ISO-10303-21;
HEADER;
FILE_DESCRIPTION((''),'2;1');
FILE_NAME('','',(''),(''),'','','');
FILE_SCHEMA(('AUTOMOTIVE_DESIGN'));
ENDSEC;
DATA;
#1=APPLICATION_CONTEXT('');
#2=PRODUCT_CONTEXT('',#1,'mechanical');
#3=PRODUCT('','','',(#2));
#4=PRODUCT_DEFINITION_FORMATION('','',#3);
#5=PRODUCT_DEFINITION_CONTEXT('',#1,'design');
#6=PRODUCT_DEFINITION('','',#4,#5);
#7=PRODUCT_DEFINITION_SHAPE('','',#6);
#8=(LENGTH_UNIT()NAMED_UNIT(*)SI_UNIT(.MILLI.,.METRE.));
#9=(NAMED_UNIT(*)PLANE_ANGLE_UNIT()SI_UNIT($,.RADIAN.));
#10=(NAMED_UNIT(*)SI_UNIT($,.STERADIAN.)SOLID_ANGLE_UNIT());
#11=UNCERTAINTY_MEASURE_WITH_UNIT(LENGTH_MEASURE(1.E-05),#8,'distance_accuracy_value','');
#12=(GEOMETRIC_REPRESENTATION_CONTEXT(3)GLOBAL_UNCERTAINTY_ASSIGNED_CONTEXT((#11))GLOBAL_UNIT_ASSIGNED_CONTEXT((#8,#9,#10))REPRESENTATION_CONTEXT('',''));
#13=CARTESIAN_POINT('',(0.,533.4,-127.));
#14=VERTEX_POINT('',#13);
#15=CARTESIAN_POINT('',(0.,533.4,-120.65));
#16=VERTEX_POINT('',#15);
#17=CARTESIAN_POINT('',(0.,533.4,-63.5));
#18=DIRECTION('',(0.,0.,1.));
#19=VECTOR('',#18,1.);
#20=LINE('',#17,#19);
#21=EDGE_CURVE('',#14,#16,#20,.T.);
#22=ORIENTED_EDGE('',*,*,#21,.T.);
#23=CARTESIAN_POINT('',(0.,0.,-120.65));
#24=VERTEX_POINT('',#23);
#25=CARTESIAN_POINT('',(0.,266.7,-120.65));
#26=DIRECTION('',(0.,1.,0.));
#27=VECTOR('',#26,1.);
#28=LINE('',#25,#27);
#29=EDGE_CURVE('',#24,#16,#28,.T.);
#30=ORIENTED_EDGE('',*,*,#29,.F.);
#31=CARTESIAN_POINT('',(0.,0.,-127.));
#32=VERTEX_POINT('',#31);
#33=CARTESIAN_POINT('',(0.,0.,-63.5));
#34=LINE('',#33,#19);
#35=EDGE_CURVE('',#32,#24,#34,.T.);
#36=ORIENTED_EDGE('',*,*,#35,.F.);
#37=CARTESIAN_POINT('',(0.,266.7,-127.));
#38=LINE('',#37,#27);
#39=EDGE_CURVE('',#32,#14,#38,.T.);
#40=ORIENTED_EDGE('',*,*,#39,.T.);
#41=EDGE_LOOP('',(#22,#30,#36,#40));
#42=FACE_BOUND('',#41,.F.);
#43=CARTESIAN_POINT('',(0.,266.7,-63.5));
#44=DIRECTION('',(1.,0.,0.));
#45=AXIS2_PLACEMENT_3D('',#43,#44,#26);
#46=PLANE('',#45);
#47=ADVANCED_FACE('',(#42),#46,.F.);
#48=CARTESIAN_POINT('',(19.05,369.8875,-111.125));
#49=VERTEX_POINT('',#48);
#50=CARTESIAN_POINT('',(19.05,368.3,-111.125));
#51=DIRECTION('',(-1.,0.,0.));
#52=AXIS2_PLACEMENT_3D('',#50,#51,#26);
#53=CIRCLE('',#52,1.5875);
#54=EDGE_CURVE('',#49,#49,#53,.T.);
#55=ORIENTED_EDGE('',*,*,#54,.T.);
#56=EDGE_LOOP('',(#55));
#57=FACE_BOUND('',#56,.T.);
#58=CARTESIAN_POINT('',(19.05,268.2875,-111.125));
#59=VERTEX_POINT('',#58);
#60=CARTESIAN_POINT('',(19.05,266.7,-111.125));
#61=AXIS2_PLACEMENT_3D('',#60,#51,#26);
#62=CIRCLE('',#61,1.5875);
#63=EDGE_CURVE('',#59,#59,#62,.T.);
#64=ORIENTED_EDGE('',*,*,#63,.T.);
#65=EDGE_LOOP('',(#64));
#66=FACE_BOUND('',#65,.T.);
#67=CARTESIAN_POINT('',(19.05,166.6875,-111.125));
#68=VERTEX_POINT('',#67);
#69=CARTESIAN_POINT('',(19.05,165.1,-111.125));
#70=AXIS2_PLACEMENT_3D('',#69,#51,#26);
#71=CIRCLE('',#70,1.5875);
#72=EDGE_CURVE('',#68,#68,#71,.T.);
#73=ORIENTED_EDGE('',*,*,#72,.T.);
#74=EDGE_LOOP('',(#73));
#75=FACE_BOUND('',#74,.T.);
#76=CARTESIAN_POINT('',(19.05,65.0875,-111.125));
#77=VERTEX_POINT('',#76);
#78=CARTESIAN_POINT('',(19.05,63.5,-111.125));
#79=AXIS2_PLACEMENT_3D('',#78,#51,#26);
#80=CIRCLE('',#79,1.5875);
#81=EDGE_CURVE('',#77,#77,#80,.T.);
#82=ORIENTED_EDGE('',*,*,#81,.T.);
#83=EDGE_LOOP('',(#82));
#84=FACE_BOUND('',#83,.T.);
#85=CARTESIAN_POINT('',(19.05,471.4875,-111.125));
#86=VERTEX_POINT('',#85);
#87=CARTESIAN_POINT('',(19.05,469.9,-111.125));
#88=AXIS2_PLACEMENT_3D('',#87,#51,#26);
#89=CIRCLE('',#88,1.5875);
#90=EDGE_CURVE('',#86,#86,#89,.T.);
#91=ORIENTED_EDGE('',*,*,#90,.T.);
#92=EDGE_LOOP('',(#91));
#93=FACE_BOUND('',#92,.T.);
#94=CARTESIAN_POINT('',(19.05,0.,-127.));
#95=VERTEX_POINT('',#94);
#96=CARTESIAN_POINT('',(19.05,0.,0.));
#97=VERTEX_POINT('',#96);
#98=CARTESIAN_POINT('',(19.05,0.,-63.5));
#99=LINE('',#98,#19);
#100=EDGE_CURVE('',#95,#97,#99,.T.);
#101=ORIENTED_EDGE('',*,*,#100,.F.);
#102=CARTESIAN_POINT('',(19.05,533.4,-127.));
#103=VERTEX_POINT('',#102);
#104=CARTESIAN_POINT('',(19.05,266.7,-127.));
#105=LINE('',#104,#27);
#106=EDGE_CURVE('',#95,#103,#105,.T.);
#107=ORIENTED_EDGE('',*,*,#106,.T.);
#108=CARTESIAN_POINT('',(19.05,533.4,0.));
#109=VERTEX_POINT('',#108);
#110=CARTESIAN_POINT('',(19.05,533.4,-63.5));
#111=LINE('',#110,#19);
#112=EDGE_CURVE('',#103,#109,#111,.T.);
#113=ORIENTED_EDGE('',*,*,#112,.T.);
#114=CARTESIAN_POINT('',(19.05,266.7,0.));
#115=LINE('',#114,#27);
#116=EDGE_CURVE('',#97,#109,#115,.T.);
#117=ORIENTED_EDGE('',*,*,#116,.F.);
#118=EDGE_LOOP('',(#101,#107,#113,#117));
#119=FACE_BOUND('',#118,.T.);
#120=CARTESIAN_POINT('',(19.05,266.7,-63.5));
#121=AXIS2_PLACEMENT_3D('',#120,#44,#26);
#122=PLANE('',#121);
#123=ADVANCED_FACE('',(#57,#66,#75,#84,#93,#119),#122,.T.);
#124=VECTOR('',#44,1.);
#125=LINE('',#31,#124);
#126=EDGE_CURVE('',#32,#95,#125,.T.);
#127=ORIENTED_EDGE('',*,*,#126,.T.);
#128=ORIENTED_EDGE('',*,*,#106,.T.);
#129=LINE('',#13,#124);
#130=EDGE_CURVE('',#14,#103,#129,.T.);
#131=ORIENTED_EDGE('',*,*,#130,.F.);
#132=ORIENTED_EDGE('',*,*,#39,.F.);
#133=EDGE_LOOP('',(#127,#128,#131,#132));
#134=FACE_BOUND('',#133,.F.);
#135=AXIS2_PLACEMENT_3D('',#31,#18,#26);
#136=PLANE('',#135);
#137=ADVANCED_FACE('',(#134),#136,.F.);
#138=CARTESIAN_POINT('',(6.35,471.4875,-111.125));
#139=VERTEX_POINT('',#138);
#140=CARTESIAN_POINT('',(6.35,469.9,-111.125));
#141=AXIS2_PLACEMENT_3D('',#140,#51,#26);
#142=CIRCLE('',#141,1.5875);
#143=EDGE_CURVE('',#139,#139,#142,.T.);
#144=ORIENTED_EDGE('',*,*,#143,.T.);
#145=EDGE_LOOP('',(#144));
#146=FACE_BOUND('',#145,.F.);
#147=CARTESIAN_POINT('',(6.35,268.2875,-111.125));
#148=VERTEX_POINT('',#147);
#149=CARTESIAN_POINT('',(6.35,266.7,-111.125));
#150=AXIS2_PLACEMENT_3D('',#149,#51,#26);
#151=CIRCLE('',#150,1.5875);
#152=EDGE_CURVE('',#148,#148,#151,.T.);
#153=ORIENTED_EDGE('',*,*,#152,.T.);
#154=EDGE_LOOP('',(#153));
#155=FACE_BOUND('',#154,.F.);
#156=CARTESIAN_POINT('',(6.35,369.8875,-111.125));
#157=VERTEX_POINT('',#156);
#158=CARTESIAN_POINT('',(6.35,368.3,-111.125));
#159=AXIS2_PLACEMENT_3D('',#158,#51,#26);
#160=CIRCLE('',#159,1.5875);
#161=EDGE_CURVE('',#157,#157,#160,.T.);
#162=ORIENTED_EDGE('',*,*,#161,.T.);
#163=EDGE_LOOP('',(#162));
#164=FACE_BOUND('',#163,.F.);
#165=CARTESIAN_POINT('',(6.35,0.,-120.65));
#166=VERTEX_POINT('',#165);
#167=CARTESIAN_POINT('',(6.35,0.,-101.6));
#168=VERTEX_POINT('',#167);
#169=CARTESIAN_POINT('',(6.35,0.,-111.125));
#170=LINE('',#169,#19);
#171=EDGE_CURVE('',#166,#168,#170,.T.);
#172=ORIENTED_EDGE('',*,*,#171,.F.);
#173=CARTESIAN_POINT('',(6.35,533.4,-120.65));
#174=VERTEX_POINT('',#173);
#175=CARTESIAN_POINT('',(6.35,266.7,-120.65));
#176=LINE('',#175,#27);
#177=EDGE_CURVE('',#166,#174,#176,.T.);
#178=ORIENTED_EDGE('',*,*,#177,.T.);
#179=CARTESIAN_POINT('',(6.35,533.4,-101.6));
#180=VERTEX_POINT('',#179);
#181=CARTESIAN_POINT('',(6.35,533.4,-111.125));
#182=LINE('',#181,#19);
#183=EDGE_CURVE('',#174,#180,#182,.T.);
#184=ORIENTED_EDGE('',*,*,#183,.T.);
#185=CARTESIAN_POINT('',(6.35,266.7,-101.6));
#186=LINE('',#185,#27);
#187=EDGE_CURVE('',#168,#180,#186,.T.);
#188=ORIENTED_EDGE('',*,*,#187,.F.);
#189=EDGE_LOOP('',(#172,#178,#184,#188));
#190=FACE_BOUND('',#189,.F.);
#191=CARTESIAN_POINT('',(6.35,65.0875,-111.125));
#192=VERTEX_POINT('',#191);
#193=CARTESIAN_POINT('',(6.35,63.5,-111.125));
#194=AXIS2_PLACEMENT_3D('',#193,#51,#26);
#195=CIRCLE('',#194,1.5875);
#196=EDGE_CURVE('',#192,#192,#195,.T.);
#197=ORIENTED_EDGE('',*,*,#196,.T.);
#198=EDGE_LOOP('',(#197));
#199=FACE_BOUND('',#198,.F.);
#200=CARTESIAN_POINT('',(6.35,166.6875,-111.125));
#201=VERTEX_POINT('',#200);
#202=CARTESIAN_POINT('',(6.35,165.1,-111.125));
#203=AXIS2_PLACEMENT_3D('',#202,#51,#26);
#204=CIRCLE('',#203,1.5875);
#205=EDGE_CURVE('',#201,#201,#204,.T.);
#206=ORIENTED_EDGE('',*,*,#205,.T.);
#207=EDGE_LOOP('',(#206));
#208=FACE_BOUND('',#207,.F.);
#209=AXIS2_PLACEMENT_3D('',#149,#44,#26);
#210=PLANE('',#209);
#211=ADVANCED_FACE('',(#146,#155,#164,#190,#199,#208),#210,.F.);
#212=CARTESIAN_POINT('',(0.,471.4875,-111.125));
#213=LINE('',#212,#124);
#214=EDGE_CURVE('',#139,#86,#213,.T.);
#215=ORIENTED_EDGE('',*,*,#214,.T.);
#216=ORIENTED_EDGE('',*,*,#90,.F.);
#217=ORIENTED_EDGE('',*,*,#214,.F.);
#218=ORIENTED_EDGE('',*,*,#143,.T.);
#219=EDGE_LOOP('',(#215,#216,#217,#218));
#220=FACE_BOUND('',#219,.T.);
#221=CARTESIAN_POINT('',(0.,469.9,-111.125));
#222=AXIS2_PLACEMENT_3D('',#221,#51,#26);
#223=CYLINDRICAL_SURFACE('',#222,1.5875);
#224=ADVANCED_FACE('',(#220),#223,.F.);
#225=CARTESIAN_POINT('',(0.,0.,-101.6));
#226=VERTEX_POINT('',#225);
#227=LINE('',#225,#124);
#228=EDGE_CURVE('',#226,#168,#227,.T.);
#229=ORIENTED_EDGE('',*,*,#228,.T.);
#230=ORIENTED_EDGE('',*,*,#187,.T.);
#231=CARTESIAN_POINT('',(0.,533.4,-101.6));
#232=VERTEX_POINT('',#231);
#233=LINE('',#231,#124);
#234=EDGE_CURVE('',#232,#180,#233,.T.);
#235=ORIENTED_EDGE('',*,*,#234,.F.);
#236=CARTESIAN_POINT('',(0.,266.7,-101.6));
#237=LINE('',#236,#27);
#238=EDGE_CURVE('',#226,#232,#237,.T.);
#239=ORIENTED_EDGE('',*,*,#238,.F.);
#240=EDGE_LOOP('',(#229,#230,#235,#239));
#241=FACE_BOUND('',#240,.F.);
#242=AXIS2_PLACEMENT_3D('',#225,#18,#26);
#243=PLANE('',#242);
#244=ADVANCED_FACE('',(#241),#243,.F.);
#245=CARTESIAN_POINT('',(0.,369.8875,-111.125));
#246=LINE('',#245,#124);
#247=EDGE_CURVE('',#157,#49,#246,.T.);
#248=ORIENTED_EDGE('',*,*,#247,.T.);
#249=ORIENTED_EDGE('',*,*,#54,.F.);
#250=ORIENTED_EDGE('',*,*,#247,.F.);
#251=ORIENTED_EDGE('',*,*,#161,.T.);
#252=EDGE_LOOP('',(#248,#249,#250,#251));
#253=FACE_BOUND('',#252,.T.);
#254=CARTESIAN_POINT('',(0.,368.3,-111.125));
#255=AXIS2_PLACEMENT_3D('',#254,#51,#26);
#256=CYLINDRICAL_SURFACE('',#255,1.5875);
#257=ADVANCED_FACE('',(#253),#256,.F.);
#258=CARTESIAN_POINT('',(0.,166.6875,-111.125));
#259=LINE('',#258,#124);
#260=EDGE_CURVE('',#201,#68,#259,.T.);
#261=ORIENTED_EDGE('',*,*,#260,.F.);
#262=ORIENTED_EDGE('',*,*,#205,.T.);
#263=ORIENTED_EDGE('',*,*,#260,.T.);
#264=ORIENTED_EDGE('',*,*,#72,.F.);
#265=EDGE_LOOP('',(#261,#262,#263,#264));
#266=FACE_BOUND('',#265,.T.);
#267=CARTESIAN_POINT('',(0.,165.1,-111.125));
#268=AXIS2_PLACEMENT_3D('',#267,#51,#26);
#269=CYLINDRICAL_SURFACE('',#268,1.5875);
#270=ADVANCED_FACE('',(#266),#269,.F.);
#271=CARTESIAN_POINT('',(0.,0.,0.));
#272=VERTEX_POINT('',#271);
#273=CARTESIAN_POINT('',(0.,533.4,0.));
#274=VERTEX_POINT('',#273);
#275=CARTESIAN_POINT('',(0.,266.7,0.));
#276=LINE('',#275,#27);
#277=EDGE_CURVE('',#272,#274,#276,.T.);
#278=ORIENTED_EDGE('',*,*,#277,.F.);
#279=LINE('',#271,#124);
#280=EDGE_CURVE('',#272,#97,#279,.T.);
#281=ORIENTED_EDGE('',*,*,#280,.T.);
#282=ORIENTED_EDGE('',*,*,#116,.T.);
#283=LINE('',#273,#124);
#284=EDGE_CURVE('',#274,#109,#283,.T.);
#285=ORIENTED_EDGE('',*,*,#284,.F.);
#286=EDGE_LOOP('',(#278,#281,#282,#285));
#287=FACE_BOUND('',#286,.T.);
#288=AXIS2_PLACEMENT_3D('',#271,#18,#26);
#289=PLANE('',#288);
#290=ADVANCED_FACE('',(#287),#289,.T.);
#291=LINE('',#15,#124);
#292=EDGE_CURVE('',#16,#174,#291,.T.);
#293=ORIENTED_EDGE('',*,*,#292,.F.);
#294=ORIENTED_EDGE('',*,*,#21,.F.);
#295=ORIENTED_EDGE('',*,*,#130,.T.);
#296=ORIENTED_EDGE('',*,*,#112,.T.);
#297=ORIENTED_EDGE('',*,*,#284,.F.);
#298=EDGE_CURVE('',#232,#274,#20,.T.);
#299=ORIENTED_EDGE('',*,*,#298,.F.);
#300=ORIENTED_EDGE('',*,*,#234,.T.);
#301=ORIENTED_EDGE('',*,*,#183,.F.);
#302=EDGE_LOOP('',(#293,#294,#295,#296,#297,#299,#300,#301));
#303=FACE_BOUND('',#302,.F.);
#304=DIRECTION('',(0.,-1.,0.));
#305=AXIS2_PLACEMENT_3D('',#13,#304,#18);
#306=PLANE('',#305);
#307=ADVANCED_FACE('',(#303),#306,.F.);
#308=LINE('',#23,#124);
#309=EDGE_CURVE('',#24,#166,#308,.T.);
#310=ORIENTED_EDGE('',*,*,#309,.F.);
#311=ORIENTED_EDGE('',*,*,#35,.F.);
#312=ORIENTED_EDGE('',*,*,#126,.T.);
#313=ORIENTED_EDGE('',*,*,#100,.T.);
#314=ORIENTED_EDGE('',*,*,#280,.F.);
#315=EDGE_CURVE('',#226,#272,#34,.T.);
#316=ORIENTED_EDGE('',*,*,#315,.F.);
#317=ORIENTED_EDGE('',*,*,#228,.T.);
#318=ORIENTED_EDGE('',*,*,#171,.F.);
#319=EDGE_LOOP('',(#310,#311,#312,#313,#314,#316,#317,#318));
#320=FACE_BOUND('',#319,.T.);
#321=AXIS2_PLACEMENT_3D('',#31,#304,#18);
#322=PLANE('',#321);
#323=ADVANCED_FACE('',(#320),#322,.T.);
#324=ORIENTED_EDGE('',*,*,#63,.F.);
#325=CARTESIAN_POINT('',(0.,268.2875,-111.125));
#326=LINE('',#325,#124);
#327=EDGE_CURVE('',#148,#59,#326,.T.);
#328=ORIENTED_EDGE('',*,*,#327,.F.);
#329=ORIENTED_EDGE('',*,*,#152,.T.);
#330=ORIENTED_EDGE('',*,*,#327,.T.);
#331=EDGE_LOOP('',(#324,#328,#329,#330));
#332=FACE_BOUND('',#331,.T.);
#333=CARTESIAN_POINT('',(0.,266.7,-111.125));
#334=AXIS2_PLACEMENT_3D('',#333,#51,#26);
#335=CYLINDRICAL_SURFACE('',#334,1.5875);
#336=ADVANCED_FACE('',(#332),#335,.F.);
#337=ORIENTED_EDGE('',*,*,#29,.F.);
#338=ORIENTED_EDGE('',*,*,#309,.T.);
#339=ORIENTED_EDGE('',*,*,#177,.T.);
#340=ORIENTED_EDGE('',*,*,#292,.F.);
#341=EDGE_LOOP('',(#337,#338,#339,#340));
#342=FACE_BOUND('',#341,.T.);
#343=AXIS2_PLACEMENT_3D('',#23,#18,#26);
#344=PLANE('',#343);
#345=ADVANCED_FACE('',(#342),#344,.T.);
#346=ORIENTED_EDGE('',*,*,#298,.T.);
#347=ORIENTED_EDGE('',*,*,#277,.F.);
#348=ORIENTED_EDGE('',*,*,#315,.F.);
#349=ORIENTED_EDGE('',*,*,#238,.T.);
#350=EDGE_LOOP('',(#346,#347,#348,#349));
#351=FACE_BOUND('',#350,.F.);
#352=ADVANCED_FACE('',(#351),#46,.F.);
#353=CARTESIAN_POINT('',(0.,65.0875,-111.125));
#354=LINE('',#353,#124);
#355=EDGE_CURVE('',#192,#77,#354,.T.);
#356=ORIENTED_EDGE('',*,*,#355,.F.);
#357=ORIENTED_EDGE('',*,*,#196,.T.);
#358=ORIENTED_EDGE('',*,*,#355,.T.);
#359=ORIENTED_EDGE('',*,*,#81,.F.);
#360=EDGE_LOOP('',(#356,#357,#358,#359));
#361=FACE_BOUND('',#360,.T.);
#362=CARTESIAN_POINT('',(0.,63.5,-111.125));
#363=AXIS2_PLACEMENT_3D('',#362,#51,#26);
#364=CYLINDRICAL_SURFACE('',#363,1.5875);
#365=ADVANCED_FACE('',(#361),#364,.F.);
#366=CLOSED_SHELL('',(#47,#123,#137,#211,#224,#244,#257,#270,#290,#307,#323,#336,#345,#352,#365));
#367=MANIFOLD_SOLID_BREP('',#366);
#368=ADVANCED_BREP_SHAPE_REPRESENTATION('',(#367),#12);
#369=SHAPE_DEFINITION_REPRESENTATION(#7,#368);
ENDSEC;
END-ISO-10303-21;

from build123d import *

# Parameters (mm, degrees)
F0_W     = 533.4
F0_H     = 127
F1_DEPTH = 19.05
F2_W     = 533.4
F2_H     = 19.05
F3_DEPTH = 6.35
F4_R     = 1.5875
F5_DEPTH = 19.051


with BuildPart() as f1:
    # F0 (on Right) → F1 (new body)
    with BuildSketch(Plane.YZ):
        with Locations((266.7, -63.5)):
            Rectangle(F0_W, F0_H)
    extrude(amount=F1_DEPTH)

    # F2 (on Right) → F3 (cut)
    with BuildSketch(Plane.YZ):
        with Locations((266.7, -111.125)):
            Rectangle(F2_W, F2_H)
    extrude(amount=F3_DEPTH, mode=Mode.SUBTRACT)

    # F4 (on Right) → F5 (cut, through all)
    with BuildSketch(Plane.YZ):
        with Locations((469.9, -111.125)):
            Circle(F4_R)
        with Locations((368.3, -111.125)):
            Circle(F4_R)
        with Locations((266.7, -111.125)):
            Circle(F4_R)
        with Locations((165.1, -111.125)):
            Circle(F4_R)
        with Locations((63.5, -111.125)):
            Circle(F4_R)
    extrude(amount=F5_DEPTH, mode=Mode.SUBTRACT)


solid = f1.part
